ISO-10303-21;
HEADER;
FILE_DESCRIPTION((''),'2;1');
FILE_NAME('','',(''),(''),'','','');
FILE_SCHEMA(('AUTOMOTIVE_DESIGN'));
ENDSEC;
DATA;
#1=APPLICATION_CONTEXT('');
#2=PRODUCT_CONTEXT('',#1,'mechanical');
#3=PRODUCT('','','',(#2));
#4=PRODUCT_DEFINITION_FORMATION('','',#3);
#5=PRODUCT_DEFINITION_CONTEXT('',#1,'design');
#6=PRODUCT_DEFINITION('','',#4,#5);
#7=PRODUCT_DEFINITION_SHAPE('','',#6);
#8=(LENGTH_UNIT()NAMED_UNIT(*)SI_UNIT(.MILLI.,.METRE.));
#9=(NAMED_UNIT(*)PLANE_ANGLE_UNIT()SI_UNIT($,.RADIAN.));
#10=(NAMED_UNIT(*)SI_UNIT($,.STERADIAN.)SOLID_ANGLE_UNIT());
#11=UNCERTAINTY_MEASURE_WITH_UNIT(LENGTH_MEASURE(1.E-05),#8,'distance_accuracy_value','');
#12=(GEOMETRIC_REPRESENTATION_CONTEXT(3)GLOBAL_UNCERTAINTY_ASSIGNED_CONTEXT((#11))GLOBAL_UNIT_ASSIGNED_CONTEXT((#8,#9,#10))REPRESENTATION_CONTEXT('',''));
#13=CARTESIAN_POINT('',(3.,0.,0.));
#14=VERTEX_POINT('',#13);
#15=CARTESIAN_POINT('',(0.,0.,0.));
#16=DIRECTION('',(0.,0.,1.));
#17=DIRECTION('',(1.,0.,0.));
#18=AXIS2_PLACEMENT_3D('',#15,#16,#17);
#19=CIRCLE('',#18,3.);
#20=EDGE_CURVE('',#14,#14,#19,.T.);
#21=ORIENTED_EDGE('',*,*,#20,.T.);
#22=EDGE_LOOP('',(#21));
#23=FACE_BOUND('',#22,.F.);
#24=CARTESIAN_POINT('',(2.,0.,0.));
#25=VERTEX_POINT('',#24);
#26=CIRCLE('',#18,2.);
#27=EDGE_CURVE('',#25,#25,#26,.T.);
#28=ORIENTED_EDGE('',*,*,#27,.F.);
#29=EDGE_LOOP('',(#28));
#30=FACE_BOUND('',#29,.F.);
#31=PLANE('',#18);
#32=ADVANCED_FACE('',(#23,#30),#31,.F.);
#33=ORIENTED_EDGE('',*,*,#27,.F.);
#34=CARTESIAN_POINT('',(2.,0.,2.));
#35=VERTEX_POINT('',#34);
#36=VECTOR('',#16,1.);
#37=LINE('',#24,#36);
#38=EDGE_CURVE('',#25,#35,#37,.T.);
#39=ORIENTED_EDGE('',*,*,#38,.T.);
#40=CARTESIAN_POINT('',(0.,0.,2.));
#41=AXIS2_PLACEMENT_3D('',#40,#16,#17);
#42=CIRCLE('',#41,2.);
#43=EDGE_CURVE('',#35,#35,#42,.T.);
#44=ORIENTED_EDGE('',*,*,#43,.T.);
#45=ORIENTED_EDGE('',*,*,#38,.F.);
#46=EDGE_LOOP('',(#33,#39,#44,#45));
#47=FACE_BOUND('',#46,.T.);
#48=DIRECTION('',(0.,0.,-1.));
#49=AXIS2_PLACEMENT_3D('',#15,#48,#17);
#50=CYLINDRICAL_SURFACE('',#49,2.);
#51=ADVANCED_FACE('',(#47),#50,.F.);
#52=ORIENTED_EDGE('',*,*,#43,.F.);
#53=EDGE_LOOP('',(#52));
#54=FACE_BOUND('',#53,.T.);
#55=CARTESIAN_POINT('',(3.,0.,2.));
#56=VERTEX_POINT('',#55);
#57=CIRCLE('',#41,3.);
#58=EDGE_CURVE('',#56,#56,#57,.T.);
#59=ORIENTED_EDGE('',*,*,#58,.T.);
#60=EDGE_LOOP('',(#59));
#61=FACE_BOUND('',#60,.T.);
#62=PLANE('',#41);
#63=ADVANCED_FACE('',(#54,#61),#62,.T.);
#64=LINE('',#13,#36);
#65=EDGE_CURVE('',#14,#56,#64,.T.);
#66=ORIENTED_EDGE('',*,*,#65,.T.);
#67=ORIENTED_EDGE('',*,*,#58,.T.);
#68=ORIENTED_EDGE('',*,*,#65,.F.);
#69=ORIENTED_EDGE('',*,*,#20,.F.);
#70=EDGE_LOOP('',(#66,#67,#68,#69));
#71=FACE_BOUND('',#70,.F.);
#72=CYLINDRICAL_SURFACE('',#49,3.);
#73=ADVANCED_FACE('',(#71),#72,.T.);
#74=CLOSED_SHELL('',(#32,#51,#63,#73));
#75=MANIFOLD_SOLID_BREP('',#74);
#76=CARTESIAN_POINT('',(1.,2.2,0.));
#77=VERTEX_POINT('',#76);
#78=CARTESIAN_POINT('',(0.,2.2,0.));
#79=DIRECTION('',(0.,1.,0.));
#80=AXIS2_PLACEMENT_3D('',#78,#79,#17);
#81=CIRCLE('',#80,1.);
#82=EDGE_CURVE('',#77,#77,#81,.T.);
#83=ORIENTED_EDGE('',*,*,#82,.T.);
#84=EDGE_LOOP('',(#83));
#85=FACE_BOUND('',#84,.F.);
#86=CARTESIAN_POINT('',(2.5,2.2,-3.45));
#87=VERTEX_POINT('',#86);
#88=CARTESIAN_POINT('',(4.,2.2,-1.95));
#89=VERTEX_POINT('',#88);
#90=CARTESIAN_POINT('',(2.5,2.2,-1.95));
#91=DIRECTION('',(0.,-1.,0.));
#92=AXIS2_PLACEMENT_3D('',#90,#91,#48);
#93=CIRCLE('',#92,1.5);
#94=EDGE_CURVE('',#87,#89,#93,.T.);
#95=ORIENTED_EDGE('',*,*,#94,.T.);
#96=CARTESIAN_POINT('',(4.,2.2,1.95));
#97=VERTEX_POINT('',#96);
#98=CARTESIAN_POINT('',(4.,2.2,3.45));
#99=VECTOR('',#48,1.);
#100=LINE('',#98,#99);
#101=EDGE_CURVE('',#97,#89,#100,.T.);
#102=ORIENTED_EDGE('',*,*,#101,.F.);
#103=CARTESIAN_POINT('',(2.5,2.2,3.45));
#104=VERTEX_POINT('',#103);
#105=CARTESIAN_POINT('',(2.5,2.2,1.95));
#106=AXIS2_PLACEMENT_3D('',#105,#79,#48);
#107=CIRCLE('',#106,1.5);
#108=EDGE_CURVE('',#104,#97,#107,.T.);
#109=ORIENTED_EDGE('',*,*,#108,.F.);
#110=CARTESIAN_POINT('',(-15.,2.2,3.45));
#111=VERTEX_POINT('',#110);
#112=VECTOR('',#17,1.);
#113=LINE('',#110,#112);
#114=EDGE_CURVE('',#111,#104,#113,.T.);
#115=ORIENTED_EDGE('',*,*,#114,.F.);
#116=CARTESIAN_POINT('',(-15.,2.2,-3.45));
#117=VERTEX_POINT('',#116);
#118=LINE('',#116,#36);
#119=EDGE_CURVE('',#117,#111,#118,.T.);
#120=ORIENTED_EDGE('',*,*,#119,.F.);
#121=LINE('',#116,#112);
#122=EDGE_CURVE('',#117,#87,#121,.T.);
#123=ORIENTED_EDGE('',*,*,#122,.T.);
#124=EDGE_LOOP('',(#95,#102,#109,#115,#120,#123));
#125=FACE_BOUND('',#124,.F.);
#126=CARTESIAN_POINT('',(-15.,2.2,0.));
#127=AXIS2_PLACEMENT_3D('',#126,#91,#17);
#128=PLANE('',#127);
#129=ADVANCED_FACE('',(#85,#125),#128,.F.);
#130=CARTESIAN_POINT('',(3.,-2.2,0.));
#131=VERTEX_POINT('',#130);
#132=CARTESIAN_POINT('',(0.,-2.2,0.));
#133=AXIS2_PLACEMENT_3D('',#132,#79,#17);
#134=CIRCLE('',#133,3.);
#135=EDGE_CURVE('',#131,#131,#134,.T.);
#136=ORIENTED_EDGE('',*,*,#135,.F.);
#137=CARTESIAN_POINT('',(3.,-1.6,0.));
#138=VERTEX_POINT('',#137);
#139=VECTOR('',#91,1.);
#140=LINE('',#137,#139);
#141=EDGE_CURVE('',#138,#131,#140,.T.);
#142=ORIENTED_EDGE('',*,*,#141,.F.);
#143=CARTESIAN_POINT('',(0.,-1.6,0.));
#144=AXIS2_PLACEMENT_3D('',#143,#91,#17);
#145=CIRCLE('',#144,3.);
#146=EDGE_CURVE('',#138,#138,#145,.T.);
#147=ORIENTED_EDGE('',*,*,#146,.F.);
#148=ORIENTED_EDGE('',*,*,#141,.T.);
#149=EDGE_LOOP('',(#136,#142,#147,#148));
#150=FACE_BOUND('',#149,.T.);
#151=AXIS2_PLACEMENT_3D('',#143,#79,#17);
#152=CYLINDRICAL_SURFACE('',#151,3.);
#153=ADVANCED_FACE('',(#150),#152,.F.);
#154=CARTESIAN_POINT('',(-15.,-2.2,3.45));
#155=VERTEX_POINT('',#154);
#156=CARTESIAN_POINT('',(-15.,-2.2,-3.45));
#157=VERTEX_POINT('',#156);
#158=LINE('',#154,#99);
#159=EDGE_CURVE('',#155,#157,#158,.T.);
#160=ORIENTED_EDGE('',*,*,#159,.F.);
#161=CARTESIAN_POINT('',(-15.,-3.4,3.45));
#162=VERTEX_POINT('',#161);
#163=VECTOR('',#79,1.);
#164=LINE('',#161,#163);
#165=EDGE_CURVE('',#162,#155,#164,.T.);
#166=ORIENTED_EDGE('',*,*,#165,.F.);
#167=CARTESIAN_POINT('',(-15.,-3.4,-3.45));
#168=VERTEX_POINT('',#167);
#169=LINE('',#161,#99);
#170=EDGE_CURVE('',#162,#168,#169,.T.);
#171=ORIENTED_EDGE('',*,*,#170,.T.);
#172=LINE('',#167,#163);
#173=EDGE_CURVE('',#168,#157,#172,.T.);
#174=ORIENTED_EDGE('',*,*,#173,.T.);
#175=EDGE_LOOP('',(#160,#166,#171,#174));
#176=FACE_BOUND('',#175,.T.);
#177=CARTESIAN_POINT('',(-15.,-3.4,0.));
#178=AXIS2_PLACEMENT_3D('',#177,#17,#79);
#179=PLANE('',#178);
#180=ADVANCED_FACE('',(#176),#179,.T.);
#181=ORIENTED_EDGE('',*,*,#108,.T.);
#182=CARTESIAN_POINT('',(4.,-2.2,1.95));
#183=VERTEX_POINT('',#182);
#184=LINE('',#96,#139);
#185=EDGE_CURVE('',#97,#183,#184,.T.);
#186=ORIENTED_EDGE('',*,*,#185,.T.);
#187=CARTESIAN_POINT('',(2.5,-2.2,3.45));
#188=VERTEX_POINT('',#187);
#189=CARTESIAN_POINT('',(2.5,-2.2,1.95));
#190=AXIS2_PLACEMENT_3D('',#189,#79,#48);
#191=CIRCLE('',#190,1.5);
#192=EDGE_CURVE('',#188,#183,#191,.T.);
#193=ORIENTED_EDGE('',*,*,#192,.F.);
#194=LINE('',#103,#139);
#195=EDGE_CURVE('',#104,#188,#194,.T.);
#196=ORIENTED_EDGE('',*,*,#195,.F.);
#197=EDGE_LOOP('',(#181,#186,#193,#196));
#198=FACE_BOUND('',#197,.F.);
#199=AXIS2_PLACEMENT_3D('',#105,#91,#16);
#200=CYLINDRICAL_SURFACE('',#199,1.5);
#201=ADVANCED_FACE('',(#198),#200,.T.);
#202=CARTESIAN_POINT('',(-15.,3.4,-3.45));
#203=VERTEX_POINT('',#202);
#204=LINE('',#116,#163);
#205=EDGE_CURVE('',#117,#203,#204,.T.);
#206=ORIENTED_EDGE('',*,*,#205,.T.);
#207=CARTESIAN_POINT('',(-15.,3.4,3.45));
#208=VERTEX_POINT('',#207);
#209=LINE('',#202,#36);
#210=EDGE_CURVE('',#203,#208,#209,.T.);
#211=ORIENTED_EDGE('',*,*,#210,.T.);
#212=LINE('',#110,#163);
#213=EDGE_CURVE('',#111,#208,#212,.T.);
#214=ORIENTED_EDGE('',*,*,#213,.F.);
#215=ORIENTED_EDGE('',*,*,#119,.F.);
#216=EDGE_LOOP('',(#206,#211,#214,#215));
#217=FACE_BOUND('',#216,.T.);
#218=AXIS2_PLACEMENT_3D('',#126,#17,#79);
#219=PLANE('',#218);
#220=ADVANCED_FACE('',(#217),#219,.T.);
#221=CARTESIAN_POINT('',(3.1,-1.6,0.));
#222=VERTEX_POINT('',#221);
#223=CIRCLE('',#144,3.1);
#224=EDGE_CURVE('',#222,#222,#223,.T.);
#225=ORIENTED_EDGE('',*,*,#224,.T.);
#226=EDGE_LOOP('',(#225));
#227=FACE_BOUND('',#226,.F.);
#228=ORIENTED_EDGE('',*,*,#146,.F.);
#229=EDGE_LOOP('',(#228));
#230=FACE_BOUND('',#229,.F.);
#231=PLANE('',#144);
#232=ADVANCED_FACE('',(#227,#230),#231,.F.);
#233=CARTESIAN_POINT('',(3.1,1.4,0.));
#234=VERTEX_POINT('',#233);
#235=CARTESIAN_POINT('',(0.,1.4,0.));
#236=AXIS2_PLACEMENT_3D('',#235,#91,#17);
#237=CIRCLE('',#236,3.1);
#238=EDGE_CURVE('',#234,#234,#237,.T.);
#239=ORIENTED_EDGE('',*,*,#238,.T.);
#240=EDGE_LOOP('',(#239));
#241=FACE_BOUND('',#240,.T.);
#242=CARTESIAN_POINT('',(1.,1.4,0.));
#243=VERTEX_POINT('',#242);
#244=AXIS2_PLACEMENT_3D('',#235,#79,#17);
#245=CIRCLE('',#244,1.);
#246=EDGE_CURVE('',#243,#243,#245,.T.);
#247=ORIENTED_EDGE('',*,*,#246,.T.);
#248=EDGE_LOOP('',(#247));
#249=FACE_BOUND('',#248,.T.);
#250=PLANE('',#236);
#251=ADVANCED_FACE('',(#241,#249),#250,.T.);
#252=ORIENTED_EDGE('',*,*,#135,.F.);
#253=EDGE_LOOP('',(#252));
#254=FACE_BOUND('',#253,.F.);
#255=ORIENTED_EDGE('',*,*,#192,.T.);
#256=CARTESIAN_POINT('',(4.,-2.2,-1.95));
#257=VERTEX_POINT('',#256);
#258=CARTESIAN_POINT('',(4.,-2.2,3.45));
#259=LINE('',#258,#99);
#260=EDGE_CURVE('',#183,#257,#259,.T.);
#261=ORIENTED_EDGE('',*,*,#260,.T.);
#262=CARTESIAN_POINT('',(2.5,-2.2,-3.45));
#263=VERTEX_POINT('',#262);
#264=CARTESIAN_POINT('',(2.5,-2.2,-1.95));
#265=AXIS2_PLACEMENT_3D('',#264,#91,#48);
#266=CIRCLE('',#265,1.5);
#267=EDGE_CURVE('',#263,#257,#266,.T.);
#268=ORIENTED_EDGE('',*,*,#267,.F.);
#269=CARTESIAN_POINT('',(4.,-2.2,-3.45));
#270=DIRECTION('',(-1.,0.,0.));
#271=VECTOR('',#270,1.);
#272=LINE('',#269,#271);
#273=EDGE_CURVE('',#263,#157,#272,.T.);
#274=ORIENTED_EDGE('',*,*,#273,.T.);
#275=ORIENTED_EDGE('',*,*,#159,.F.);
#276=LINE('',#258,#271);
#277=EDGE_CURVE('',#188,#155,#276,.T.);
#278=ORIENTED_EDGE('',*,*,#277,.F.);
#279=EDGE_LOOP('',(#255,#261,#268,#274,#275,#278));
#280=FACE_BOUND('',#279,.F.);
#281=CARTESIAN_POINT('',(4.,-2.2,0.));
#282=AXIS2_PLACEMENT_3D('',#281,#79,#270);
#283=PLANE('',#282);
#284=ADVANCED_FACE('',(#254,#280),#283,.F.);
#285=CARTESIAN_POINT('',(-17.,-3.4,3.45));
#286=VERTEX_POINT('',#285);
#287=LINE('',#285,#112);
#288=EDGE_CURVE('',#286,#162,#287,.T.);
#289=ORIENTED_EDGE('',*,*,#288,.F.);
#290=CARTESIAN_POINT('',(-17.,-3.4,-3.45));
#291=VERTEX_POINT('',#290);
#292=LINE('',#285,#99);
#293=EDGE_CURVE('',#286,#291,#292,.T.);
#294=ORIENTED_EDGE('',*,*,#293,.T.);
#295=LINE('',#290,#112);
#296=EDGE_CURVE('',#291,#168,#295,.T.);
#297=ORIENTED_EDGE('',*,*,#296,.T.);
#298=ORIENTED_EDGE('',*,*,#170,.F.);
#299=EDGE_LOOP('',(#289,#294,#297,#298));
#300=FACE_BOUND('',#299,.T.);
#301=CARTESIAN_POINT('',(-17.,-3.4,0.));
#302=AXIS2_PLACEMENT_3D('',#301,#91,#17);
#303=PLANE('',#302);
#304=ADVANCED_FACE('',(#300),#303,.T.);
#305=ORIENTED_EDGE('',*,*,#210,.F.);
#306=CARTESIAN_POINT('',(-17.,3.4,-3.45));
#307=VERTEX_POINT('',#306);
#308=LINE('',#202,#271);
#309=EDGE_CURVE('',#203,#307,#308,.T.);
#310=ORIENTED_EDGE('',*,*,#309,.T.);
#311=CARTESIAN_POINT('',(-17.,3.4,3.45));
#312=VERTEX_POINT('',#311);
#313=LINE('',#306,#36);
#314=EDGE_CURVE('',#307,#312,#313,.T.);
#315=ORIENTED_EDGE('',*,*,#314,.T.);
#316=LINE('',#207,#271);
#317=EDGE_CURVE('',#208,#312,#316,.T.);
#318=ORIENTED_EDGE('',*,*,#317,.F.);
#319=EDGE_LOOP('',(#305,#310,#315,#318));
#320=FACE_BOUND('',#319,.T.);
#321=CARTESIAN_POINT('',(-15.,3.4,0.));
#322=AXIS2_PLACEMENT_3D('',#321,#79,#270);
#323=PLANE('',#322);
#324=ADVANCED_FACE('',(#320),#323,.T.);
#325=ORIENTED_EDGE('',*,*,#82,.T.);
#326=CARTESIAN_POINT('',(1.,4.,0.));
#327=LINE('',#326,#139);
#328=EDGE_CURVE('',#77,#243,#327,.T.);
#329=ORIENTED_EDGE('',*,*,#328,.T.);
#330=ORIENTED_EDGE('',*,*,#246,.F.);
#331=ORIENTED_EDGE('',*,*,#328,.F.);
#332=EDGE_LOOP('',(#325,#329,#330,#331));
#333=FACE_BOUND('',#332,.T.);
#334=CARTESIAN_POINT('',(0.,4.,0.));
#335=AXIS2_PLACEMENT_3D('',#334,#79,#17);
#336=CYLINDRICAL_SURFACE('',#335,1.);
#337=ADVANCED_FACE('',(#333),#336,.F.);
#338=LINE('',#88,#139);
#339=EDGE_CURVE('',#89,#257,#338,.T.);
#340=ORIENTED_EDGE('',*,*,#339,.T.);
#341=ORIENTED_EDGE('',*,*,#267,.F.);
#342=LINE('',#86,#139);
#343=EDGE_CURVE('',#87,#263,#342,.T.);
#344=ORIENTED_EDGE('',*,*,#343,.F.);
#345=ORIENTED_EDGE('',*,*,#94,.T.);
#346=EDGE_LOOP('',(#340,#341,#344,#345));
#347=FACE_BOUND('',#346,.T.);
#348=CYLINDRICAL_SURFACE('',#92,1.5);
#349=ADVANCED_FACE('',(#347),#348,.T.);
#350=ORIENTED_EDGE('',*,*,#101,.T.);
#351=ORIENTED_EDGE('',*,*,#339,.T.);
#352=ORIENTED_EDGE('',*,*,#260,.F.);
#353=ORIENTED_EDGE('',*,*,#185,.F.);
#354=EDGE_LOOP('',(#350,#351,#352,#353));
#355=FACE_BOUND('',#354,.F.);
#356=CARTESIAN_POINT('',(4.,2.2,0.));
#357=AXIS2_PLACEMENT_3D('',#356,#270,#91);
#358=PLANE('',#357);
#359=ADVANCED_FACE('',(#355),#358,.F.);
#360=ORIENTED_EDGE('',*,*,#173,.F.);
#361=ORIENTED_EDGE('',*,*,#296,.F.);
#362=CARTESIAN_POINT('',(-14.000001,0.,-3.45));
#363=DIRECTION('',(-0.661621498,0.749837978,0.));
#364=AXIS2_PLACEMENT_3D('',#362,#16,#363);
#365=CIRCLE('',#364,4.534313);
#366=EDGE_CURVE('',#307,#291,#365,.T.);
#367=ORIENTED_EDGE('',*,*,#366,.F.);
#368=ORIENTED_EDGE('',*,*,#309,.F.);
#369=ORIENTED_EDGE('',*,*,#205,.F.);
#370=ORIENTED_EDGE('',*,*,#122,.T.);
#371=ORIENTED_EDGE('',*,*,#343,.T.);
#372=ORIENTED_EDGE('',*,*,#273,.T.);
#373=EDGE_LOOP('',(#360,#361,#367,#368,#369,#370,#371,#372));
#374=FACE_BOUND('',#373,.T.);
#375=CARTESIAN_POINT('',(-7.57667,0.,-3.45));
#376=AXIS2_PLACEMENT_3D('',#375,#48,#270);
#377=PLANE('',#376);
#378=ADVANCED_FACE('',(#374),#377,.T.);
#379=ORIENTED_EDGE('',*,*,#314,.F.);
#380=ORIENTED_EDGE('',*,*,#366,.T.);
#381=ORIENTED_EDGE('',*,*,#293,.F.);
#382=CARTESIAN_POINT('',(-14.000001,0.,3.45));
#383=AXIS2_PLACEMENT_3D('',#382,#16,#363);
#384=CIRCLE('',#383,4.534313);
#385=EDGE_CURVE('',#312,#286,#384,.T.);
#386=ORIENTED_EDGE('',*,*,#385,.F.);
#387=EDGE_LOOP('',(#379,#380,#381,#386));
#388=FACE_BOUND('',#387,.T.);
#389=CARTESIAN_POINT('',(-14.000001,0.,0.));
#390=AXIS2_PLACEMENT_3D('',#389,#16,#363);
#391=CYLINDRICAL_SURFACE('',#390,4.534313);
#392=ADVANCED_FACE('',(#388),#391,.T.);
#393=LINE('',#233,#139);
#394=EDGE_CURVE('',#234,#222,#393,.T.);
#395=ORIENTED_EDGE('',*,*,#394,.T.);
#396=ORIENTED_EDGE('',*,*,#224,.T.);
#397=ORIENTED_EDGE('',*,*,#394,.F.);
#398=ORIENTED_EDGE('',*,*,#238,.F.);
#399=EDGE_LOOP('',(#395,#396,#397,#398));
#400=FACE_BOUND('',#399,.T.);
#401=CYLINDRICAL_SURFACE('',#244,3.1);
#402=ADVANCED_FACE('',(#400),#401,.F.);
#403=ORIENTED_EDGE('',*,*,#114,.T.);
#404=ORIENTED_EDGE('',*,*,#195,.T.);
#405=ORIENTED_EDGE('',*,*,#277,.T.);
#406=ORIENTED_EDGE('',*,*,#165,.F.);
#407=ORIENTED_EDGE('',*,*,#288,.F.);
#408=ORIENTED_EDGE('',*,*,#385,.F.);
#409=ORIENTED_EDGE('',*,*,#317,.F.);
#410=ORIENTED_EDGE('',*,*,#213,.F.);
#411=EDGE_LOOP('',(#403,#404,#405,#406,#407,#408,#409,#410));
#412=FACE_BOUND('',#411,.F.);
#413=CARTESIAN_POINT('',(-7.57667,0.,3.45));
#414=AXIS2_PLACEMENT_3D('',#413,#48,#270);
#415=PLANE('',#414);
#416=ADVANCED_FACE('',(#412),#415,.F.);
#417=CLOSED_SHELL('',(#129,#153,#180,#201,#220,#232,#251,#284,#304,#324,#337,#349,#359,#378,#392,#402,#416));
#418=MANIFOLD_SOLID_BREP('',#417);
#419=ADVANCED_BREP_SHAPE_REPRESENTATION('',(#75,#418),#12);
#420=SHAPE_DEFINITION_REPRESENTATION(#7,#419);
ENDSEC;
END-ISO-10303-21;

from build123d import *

# Parameters (mm, degrees)
SKETCH002_R      = 3
SKETCH002_R_2    = 2
EXTRUDE002_DEPTH = 2
SKETCH001_R      = 3.1
EXTRUDE001_DEPTH = 3
SKETCH004_R      = 3
EXTRUDE004_DEPTH = 1
SKETCH003_R      = 1
EXTRUDE003_DEPTH = 10
EXTRUDE_DEPTH    = 3.45
FILLET_R         = 1.5


with BuildPart() as bague:
    # Sketch002 → Extrude002 (new body)
    with BuildSketch(Plane.XY):
        Circle(SKETCH002_R)
        Circle(SKETCH002_R_2, mode=Mode.SUBTRACT)
    extrude(amount=EXTRUDE002_DEPTH)


with BuildPart() as logementaimant:
    # Sketch001 → Extrude001 (new body)
    with BuildSketch(Plane.XZ):
        Circle(SKETCH001_R)
    extrude(amount=EXTRUDE001_DEPTH)


with BuildPart() as logementaimant_1:
    # Extrude001 placement: moved
    add(logementaimant.part.moved(Location((0, 0.4, 0))))


with BuildPart() as retientaimant:
    # Sketch004 → Extrude004 (new body)
    with BuildSketch(Plane.XZ):
        Circle(SKETCH004_R)
    extrude(amount=EXTRUDE004_DEPTH)


with BuildPart() as retientaimant_1:
    # Extrude004 placement: moved
    add(retientaimant.part.moved(Location((0, -2.6, 0))))


with BuildPart() as fusion:
    # Sketch003 → Extrude003 (new body)
    with BuildSketch(Plane.XZ):
        Circle(SKETCH003_R)
    extrude(amount=EXTRUDE003_DEPTH)


with BuildPart() as fusion_1:
    # Extrude003 placement: moved
    add(fusion.part.moved(Location((0, 3, 0))))

    # Fusion: union LogementAimant, RetientAimant
    add(logementaimant_1.part)
    add(retientaimant_1.part)


with BuildPart() as fusion_2:
    # Fusion placement: moved
    add(fusion_1.part.moved(Location((0, 1, 0))))


with BuildPart() as fillet_body:
    # Sketch → Extrude (new body, symmetric)
    with BuildSketch(Plane.XY):
        with BuildLine():
            Line((-15, 2.2), (4, 2.2))
            Line((4, 2.2), (4, -2.2))
            Line((4, -2.2), (-15, -2.2))
            Line((-15, -3.4), (-15, -2.2))
            Line((-17, -3.4), (-15, -3.4))
            ThreePointArc((-17, 3.4), (-18.534314, 0), (-17, -3.4))
            Line((-15, 3.4), (-17, 3.4))
            Line((-15, 2.2), (-15, 3.4))
        make_face()
    extrude(amount=EXTRUDE_DEPTH, both=True)

    # Cut: cut Fusion
    add(fusion_2.part, mode=Mode.SUBTRACT)

    # Fillet
    fillet_edges = [fillet_body.edges().sort_by_distance(p)[0] for p in [
        (4, 0, -3.45),
        (4, 0, 3.45),
    ]]
    fillet(fillet_edges, radius=FILLET_R)


solid = Compound([bague.part, fillet_body.part])
